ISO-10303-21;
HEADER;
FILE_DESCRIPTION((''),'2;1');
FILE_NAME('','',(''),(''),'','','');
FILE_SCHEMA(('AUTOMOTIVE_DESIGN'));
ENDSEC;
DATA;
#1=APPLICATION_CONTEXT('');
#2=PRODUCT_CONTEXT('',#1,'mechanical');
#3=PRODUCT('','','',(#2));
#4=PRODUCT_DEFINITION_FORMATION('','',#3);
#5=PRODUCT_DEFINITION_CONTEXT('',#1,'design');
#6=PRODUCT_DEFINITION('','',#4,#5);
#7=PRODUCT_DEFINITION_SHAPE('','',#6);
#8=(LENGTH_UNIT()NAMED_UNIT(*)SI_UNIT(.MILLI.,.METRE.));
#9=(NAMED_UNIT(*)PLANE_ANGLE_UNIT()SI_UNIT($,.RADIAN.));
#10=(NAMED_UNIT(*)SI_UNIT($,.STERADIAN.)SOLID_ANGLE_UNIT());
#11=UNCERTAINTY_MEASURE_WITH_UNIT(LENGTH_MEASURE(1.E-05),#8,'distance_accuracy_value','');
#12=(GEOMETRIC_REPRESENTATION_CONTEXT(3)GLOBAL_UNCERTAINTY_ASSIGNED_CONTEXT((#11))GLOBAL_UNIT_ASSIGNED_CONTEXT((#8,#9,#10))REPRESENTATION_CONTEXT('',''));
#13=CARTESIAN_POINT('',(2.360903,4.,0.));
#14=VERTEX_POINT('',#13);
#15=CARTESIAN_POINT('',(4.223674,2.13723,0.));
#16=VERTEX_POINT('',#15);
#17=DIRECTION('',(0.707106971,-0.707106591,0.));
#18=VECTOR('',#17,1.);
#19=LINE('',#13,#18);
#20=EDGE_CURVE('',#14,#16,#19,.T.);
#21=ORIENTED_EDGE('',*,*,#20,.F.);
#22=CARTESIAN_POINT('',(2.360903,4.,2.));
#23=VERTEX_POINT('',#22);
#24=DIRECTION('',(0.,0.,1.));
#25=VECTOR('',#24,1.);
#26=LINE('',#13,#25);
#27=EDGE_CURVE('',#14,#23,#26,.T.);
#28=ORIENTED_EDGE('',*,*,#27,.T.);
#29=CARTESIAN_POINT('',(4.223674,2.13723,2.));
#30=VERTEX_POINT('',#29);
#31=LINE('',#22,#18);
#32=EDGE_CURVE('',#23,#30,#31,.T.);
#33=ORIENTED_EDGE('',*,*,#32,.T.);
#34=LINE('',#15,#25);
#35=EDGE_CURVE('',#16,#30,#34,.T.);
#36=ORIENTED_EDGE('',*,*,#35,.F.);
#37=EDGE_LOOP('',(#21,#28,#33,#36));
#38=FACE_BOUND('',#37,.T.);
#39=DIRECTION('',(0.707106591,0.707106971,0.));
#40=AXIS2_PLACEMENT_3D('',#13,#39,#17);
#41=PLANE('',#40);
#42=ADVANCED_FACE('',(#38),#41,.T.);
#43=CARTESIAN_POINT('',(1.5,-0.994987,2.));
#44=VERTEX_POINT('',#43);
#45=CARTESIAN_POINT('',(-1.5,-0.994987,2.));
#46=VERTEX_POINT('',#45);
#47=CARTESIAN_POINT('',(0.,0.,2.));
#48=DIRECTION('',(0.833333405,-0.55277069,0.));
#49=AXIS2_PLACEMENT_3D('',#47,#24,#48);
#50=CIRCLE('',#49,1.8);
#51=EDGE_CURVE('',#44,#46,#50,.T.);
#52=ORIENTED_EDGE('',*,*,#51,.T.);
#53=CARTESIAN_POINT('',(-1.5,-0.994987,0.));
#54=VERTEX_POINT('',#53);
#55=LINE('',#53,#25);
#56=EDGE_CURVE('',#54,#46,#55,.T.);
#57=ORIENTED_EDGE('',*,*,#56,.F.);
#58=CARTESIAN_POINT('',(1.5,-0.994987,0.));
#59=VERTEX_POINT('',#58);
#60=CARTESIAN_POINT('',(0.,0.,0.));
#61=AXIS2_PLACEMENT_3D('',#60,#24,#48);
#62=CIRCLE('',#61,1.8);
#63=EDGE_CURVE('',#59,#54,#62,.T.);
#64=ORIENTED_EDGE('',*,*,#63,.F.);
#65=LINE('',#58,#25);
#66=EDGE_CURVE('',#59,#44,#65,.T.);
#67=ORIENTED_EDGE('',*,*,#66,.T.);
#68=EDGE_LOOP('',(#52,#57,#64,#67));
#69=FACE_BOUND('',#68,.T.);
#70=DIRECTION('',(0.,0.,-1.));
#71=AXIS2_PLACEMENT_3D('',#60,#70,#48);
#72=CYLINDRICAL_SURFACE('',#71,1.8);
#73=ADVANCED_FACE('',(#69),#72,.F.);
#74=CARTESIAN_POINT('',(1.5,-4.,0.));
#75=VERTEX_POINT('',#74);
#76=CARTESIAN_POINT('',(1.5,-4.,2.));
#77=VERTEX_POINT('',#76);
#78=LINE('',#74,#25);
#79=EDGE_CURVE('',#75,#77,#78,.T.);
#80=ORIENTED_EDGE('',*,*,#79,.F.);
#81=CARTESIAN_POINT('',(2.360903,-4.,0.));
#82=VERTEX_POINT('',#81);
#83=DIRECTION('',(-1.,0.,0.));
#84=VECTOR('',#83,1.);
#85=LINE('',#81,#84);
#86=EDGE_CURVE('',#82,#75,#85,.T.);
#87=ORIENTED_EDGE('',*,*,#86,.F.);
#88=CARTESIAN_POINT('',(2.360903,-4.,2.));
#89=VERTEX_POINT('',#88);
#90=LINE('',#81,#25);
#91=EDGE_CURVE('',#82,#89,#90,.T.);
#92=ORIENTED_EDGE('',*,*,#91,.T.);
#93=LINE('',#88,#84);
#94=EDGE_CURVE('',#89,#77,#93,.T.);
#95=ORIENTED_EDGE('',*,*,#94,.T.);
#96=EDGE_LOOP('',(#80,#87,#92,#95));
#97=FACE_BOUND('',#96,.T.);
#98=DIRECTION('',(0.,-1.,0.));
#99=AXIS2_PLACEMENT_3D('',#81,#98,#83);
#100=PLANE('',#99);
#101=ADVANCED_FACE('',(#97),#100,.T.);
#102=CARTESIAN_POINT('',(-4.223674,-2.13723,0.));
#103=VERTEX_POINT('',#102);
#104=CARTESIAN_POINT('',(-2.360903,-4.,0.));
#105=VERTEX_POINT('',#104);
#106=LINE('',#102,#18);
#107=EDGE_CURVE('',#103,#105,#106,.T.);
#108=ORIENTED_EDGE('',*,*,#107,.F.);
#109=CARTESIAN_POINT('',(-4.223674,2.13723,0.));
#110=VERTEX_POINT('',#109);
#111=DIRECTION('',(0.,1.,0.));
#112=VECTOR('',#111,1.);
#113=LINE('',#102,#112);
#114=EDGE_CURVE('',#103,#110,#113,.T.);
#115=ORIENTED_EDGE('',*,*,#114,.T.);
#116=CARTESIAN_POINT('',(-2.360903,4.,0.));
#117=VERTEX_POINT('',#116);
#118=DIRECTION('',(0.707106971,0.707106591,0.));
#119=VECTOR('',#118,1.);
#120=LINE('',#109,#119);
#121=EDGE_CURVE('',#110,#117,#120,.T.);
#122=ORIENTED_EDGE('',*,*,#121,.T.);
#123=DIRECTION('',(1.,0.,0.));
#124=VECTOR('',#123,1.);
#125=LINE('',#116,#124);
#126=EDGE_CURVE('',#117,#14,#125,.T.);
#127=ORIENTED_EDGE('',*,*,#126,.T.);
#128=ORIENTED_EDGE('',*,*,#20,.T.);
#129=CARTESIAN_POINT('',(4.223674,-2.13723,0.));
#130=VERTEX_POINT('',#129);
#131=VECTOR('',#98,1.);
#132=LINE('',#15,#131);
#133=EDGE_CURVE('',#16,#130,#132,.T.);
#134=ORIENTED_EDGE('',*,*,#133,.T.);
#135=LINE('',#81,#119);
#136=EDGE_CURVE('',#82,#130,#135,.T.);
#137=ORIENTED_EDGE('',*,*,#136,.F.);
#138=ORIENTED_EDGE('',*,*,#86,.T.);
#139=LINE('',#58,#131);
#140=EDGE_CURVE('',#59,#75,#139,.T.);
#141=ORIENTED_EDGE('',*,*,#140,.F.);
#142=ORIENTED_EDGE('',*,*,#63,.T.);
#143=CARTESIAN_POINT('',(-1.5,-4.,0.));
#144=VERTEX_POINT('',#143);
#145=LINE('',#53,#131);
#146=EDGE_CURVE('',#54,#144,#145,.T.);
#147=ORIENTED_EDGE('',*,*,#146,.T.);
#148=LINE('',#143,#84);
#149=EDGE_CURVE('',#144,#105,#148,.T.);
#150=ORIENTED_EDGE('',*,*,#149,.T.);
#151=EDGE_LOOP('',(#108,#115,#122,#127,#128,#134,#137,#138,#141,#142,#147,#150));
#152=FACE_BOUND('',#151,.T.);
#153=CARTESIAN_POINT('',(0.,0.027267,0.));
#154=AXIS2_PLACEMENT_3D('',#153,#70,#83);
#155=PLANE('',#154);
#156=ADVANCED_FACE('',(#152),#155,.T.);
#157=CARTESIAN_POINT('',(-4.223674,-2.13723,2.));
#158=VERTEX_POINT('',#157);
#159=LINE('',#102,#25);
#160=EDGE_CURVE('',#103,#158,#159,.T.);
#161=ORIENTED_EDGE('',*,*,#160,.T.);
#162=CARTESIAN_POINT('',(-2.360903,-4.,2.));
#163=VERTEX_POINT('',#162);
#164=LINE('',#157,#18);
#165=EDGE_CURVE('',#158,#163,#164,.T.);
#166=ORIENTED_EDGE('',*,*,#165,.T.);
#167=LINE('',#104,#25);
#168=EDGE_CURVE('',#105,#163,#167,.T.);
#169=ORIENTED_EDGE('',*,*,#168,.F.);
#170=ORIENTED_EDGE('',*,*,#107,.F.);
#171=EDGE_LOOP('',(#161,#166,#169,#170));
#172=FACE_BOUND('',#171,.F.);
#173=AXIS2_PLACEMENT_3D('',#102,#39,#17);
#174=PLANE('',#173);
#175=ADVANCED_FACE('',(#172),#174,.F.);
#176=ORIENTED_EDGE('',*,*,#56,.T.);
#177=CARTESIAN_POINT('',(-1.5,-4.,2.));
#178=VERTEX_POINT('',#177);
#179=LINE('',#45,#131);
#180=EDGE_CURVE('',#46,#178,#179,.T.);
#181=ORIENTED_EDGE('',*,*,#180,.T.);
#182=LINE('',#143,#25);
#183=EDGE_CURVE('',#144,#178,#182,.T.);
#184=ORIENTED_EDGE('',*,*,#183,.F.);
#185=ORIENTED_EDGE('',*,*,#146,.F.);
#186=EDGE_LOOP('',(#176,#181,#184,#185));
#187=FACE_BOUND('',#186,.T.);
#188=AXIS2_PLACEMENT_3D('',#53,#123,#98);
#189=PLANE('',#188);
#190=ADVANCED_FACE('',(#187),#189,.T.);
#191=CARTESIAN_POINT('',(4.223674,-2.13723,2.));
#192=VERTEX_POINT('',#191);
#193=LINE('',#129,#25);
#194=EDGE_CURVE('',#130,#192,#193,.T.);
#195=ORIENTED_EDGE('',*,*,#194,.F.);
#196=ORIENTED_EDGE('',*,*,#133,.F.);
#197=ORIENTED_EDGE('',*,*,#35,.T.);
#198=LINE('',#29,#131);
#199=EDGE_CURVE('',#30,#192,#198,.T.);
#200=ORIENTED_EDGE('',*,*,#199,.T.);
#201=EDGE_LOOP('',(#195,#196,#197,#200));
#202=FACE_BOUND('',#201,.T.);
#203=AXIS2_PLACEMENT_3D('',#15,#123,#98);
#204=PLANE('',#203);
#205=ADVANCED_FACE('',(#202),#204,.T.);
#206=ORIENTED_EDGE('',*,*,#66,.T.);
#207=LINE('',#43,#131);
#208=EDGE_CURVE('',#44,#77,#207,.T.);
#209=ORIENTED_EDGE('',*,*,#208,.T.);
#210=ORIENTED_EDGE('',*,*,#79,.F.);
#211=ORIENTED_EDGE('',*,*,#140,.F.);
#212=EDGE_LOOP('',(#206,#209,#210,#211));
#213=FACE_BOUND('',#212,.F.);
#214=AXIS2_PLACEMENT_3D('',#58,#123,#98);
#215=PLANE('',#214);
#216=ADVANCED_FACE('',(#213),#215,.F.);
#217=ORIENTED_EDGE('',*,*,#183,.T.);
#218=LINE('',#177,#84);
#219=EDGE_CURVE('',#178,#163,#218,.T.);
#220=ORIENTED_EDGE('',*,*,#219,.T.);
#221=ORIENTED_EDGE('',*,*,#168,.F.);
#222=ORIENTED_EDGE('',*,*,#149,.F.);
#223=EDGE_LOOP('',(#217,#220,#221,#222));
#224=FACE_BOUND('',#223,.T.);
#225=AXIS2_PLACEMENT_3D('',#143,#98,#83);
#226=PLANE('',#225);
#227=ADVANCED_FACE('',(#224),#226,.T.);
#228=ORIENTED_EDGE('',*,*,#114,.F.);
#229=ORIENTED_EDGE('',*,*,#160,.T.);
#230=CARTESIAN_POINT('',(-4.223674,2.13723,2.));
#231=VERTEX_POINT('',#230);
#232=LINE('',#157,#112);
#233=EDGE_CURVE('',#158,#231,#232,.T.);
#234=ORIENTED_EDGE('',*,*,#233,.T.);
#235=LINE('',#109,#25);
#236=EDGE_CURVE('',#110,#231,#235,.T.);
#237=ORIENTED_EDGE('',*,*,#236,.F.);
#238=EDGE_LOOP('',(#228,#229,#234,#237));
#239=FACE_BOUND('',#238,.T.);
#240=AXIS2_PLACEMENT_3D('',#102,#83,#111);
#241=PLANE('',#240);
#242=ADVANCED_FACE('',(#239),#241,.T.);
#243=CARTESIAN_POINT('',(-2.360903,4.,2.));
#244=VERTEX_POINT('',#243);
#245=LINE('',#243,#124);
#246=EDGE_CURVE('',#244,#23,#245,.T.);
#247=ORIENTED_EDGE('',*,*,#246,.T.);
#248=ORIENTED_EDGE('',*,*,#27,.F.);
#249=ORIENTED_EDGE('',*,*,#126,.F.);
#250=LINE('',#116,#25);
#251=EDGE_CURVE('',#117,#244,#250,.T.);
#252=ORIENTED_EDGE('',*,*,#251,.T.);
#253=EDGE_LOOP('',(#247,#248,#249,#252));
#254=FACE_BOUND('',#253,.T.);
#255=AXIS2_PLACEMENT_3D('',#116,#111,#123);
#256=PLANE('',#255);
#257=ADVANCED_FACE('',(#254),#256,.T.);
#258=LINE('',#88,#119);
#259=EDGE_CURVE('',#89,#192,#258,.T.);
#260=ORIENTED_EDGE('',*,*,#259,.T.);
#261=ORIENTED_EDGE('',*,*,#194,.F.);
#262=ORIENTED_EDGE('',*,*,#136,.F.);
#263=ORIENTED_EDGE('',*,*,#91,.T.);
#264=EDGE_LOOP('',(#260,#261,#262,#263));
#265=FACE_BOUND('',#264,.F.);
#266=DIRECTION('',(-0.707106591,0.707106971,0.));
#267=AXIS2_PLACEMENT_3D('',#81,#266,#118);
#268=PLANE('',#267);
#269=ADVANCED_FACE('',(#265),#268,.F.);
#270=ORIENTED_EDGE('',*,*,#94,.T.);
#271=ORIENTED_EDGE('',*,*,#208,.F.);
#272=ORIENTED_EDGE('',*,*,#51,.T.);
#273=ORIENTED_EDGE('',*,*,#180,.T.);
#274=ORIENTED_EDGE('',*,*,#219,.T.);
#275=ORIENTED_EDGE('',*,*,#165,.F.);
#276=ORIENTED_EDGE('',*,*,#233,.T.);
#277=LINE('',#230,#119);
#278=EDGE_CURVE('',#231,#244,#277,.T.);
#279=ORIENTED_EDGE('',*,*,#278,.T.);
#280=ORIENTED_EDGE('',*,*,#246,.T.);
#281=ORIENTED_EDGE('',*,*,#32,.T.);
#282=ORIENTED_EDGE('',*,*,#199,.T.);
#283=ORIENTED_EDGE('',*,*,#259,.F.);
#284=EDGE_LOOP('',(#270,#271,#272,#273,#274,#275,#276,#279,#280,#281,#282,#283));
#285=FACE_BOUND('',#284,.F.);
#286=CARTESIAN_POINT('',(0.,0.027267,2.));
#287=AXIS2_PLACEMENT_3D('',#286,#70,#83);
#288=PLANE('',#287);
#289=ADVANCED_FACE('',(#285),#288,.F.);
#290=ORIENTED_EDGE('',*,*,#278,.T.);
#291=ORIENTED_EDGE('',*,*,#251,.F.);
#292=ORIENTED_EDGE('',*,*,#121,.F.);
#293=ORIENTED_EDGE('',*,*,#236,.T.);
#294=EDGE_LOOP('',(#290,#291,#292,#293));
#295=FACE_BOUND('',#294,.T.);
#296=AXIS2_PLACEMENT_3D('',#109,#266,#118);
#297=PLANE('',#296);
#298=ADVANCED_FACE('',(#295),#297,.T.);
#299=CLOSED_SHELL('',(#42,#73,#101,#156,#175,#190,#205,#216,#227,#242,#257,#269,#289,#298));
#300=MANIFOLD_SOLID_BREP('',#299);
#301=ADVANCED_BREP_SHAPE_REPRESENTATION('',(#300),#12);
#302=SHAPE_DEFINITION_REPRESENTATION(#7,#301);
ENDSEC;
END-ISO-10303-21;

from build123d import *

# Parameters (mm, degrees)
PAD_DEPTH = 2


with BuildPart() as part:
    # Sketch → Pad (new body)
    with BuildSketch(Plane.XY):
        with BuildLine():
            Line((-2.360903, 4), (2.360903, 4))
            Line((2.360903, 4), (4.223674, 2.13723))
            Line((4.223674, 2.13723), (4.223674, -2.13723))
            Line((2.360903, -4), (4.223674, -2.13723))
            Line((2.360903, -4), (1.5, -4))
            Line((1.5, -0.994987), (1.5, -4))
            ThreePointArc((1.5, -0.994987), (0, 1.8), (-1.5, -0.994987))
            Line((-1.5, -0.994987), (-1.5, -4))
            Line((-1.5, -4), (-2.360903, -4))
            Line((-4.223674, -2.13723), (-2.360903, -4))
            Line((-4.223674, -2.13723), (-4.223674, 2.13723))
            Line((-4.223674, 2.13723), (-2.360903, 4))
        make_face()
    extrude(amount=PAD_DEPTH)


solid = part.part
